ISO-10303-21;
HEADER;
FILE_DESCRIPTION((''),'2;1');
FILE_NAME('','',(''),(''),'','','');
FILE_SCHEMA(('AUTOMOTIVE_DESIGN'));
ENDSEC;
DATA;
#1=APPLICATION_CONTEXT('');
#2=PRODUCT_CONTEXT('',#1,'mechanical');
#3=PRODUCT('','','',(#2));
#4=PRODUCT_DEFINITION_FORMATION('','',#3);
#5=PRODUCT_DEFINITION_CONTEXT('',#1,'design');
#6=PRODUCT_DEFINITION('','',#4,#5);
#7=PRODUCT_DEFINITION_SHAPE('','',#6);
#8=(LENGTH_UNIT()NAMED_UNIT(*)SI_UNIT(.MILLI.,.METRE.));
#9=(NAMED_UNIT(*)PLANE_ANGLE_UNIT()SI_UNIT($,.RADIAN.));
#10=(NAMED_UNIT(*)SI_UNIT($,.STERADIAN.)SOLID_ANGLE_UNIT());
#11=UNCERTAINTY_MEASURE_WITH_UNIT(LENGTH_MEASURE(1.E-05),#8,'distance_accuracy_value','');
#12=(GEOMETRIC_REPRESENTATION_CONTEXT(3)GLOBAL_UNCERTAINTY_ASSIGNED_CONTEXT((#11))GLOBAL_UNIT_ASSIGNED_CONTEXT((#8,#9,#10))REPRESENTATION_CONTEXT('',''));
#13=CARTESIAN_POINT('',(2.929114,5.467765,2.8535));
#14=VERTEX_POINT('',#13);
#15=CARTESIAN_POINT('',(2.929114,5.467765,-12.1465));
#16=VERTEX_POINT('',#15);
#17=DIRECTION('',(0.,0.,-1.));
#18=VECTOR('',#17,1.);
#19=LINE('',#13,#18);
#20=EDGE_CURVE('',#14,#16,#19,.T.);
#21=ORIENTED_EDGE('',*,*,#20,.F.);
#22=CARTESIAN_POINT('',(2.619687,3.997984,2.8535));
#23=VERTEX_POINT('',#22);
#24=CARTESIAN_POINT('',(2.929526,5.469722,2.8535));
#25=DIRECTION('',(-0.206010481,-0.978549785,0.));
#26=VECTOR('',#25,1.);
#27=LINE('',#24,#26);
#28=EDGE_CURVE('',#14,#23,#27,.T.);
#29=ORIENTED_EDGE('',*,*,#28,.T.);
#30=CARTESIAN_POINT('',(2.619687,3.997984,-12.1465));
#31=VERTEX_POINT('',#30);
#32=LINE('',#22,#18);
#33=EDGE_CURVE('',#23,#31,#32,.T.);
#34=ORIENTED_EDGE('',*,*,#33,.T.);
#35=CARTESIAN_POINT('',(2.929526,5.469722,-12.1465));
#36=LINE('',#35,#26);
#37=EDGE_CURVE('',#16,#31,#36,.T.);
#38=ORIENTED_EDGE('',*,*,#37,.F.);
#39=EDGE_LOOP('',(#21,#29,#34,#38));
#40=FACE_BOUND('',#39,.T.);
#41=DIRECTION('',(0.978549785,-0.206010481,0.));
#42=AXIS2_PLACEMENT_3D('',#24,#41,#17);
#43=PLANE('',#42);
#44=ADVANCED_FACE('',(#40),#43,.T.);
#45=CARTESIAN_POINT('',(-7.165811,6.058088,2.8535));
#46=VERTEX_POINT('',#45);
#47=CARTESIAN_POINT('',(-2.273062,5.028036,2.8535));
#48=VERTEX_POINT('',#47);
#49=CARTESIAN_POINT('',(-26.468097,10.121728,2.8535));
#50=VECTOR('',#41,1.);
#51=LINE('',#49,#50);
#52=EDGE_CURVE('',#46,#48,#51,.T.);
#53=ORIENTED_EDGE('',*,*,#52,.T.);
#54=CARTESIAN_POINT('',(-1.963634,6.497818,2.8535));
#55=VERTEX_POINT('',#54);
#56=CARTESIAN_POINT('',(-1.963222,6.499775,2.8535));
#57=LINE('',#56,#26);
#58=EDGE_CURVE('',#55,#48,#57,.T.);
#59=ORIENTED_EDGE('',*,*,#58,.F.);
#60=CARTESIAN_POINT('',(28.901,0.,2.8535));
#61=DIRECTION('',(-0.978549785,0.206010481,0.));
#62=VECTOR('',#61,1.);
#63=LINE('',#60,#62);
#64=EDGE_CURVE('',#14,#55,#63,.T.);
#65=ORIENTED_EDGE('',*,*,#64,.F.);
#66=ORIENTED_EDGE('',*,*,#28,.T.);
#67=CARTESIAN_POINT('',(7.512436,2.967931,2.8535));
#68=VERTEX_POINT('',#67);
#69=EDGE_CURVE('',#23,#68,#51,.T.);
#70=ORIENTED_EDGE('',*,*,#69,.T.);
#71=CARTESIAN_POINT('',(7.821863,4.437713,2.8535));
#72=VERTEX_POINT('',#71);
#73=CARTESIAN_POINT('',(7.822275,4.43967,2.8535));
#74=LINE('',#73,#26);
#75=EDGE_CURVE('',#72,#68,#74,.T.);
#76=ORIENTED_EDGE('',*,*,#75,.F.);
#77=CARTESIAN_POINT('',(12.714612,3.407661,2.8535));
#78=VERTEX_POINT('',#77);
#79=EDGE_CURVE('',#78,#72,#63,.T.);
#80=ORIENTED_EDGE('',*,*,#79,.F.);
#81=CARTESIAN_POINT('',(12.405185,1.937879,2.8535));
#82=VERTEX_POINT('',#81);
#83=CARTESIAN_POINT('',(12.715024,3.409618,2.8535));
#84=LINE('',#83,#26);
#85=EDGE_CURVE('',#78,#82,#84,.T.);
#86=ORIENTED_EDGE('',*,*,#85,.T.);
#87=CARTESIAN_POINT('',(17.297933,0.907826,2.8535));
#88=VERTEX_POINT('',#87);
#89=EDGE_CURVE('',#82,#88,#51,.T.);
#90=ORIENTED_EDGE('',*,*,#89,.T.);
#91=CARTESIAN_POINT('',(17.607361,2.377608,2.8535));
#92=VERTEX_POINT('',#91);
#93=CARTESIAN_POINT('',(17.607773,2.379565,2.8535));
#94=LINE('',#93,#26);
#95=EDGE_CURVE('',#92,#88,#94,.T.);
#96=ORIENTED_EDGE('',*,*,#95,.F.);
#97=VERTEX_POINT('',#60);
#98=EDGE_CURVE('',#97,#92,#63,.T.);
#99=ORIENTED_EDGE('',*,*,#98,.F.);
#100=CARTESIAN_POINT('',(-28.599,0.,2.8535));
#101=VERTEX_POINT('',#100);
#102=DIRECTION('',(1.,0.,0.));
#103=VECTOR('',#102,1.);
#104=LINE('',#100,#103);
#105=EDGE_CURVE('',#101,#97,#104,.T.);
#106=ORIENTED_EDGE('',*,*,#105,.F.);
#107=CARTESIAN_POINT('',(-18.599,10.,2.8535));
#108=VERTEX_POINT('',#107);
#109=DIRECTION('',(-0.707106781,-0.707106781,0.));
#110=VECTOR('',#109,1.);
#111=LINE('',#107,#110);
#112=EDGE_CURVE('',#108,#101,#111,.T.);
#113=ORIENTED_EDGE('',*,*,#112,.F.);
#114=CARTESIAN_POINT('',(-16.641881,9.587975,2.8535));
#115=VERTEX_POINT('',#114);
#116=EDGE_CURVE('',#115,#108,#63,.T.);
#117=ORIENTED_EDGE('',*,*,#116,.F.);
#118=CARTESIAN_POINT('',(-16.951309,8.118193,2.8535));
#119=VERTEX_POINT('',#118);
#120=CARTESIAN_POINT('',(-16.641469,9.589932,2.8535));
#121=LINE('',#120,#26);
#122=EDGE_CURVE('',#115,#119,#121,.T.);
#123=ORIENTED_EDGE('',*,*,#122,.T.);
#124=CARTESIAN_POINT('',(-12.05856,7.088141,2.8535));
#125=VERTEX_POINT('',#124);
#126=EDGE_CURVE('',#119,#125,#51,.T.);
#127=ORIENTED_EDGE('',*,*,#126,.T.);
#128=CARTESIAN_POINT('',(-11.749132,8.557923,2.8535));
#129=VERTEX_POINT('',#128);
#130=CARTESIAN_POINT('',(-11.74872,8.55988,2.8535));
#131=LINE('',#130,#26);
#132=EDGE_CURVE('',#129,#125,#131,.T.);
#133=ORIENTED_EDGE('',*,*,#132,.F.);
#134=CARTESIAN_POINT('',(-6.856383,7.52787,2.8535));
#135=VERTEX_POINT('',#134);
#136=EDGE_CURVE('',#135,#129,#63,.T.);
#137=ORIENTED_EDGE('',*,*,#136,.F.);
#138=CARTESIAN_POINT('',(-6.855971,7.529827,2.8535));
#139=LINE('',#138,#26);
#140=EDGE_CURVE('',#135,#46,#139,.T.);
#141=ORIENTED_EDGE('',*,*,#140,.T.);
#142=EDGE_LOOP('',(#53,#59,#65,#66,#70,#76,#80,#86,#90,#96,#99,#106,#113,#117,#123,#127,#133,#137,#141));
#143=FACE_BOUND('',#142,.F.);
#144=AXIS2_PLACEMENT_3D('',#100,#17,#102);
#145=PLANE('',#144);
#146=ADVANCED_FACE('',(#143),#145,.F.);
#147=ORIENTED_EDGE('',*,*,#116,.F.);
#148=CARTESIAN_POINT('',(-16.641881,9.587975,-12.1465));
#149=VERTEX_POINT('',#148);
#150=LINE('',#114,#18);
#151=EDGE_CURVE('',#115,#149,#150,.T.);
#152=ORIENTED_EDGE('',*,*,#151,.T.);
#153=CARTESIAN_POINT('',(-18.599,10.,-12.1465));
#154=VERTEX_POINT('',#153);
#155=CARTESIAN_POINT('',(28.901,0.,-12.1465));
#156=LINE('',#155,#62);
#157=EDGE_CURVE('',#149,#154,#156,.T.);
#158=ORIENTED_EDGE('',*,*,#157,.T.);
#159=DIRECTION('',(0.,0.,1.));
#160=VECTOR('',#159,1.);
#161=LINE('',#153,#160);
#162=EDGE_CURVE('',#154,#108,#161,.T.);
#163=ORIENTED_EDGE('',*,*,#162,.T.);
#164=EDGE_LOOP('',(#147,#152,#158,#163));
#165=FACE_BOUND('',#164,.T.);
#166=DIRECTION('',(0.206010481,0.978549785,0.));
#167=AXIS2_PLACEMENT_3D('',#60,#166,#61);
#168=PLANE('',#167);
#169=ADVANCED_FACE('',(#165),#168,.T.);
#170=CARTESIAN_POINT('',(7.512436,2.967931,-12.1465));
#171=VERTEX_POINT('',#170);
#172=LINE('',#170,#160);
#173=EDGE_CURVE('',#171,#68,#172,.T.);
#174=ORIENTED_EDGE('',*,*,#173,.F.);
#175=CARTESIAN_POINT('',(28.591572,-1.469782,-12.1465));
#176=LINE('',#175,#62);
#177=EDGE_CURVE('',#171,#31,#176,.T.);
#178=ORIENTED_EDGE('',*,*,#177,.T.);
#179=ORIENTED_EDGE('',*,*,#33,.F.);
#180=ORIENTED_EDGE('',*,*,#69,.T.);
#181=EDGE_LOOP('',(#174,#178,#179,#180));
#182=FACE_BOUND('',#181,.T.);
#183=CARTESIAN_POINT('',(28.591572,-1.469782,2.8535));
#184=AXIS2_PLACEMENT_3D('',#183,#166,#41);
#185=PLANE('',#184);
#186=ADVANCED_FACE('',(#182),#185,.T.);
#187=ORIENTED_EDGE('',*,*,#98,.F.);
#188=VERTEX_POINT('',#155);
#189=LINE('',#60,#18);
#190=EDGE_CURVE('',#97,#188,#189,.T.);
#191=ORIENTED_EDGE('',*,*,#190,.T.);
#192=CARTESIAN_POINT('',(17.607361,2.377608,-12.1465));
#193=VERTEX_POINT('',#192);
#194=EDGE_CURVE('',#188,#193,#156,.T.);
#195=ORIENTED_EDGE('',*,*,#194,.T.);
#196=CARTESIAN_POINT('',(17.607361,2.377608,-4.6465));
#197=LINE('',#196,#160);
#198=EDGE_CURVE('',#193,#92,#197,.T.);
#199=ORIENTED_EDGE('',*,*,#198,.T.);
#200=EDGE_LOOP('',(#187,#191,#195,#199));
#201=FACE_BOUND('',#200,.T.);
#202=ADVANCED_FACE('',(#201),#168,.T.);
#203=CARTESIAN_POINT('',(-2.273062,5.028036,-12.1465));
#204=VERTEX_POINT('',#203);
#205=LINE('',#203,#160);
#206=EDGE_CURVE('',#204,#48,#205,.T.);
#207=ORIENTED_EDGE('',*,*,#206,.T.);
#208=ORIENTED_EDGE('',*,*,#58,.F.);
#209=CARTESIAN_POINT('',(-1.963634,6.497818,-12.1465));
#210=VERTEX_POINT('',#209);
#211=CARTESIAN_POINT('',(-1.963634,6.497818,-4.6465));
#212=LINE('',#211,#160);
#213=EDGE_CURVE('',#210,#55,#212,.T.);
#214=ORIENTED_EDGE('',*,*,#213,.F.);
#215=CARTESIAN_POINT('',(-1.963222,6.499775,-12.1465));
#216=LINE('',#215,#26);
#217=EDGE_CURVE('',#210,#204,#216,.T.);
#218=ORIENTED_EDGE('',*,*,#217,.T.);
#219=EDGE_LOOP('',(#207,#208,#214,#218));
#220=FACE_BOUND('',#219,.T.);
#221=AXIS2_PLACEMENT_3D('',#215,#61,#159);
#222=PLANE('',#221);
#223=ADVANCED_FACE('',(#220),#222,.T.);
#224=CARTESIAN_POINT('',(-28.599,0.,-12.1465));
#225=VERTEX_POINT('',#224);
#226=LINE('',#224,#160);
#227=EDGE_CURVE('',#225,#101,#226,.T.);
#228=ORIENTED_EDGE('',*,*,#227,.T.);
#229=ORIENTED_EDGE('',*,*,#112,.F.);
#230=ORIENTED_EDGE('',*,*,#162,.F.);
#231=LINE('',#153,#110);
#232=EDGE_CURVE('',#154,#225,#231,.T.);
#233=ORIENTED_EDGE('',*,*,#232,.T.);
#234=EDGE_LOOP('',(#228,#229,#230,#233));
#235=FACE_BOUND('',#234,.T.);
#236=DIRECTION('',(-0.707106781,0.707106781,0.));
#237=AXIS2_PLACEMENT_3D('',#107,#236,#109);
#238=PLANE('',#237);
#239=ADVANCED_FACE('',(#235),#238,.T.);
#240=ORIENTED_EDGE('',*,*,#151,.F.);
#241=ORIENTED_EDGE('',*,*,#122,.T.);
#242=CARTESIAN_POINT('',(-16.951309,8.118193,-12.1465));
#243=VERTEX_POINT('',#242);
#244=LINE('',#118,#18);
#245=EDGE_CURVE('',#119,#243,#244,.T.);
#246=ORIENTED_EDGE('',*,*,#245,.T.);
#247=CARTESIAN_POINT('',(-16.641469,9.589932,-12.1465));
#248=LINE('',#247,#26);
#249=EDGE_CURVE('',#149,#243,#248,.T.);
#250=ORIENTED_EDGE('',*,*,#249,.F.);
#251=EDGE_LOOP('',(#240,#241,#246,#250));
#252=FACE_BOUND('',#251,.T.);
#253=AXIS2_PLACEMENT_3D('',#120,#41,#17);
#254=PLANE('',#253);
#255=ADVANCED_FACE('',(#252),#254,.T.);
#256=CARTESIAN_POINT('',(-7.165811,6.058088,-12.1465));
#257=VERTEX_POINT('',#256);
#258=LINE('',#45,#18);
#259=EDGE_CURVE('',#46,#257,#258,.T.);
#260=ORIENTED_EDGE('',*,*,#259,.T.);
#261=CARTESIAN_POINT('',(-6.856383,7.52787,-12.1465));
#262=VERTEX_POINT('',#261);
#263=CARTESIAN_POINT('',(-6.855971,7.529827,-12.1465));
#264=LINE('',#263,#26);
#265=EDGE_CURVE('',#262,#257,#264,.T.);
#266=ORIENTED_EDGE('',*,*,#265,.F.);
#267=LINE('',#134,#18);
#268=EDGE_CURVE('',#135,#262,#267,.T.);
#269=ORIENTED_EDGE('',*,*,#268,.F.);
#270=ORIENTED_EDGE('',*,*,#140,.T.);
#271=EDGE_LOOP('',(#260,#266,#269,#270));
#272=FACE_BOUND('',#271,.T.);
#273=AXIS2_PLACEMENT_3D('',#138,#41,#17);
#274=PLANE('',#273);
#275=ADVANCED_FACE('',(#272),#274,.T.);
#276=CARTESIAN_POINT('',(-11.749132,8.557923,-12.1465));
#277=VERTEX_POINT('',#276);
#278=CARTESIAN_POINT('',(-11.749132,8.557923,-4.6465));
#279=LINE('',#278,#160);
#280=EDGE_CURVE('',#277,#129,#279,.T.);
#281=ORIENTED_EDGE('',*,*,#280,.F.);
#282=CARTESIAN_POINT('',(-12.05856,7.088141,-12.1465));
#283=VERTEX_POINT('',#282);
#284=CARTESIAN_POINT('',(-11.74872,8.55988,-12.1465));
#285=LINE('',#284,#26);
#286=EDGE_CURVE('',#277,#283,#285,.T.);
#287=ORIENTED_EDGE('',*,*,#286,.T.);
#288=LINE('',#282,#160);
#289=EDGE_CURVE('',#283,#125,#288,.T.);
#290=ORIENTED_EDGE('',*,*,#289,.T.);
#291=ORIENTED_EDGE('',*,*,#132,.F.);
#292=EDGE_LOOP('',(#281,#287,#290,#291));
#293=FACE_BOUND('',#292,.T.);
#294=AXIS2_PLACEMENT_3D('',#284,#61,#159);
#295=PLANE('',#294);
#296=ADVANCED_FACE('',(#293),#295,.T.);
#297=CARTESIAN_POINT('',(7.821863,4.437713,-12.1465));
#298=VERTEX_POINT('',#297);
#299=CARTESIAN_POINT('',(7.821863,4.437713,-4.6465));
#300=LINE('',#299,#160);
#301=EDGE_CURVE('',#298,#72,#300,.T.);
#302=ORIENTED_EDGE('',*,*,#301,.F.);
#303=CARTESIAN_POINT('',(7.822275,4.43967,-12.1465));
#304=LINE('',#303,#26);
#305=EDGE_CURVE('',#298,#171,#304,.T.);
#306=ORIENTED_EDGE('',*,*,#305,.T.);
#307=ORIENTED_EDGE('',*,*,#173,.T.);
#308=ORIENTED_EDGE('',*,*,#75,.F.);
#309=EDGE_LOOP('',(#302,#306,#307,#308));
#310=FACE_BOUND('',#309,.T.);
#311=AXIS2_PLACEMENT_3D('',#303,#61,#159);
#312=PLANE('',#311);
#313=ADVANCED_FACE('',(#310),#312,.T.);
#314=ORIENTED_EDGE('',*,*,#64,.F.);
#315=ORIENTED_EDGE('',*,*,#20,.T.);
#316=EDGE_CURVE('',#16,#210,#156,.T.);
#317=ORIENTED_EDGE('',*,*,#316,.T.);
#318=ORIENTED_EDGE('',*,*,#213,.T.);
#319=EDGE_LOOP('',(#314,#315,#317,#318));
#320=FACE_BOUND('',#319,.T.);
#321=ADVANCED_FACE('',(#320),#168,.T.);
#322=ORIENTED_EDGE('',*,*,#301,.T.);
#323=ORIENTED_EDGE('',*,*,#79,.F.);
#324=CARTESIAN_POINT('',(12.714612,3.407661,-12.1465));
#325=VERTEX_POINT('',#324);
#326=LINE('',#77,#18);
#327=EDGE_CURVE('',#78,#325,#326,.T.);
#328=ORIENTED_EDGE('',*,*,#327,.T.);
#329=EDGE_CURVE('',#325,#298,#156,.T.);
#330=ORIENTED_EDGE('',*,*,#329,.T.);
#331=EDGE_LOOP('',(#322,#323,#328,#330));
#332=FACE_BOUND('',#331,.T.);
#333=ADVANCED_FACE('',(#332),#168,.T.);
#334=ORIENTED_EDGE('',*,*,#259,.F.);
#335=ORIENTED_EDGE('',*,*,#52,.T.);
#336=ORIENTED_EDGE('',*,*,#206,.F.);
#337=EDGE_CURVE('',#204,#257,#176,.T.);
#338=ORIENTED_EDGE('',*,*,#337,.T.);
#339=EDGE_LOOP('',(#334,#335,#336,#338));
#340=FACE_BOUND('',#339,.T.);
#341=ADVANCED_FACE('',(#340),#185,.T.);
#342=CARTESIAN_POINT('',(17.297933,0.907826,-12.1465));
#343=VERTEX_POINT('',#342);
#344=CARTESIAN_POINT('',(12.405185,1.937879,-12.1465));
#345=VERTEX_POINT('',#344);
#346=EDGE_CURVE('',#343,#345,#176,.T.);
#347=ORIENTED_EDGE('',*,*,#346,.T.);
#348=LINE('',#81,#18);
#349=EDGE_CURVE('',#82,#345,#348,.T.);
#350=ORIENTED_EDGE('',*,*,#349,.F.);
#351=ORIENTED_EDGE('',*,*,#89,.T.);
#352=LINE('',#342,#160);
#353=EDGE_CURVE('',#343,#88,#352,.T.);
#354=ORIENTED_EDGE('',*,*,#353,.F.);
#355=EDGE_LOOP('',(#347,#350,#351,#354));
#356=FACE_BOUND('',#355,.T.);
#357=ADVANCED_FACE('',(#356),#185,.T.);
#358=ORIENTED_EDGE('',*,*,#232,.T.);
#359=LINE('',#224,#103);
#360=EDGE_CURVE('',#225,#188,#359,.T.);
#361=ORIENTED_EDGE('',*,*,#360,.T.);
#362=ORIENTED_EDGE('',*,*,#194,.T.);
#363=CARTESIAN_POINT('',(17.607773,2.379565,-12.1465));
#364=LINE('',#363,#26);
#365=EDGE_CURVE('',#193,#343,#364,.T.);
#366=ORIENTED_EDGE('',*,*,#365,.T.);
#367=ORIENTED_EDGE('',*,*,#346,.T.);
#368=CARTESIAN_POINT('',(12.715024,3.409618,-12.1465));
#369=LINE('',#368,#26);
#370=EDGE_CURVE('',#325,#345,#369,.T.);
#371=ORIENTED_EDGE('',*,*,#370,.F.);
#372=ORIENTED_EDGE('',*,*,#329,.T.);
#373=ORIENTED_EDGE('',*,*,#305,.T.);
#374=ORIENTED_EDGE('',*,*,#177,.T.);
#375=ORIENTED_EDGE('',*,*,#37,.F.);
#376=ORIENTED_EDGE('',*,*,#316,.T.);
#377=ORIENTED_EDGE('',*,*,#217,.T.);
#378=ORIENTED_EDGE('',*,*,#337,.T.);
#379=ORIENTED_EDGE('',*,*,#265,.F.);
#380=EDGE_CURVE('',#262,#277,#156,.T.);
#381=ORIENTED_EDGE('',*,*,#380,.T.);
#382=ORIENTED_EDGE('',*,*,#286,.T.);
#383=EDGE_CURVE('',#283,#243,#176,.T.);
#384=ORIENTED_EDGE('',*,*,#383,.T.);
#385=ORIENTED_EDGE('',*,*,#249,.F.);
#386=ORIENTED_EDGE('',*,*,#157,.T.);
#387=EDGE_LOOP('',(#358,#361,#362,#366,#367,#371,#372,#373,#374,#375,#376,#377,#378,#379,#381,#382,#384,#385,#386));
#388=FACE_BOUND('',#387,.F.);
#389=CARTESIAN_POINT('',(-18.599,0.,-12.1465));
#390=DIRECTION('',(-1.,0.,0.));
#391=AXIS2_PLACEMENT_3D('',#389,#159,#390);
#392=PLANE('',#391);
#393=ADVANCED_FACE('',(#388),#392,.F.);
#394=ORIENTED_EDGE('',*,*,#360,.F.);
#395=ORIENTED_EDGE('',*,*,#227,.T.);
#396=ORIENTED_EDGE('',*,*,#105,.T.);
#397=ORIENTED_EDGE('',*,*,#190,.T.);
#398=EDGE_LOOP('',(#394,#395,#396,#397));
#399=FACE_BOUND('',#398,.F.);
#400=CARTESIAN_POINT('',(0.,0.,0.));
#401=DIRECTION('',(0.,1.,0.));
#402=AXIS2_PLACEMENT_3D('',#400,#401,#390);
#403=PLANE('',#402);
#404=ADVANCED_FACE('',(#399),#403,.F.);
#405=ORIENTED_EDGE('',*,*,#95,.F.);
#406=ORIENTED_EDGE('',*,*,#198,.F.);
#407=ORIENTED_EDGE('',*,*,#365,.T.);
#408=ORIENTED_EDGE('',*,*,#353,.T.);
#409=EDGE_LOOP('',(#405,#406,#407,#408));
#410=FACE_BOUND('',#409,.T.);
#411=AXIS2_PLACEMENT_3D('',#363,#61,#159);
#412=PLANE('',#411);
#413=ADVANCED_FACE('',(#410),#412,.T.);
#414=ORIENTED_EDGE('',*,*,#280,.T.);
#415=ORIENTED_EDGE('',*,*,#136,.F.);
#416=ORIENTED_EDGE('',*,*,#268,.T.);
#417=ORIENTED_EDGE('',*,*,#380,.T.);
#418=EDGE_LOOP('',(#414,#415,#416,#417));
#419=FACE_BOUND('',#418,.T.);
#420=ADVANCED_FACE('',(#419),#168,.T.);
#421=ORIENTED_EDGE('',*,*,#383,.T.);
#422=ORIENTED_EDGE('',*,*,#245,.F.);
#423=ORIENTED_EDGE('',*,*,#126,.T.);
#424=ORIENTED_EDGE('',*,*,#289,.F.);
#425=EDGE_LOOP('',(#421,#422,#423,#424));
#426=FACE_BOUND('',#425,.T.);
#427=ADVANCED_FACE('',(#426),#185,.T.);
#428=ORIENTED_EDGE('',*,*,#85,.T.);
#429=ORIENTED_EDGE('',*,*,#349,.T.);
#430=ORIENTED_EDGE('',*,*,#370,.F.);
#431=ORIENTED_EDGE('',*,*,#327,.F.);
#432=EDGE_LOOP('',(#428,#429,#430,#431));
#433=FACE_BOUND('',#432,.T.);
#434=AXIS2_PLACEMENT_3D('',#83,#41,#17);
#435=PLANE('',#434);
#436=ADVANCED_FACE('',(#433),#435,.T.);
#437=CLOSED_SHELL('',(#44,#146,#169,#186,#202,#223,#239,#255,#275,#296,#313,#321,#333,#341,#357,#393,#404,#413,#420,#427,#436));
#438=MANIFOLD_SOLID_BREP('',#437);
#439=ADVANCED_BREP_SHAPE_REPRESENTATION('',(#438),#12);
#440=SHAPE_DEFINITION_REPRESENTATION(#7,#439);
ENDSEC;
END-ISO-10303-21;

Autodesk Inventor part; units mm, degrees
ref_plane "YZ Plane" through (0, 0, 0) normal (1, 0, 0) x (0, 1, 0)
ref_plane "XZ Plane" through (0, 0, 0) normal (0, 1, 0) x (-1, 0, 0)
ref_plane "XY Plane" through (0, 0, 0) normal (0, 0, 1) x (1, 0, 0)
sketch "Skizze1" plane through (0, 0, 0) normal (0, 1, 0) x (-1, 0, 0)
  line L0 (18.599, 2.8535) -> (-28.901, 2.8535)
  line L1 (-28.901, 2.8535) -> (-28.901, -12.1465)
  line L2 (-28.901, -12.1465) -> (18.599, -12.1465)
  line L3 (18.599, -12.1465) -> (18.599, 2.8535)
  line L4 (18.599, -12.1465) -> (28.599, -12.1465)
  line L5 (28.599, -12.1465) -> (28.599, 2.8535)
  line L6 (28.599, 2.8535) -> (18.599, 2.8535)
  line L7 (18.599, 2.8535) -> (18.599, -12.1465)
  point P0 (0, 0)
  dimension "d0" = 47.5
  dimension "d1" = 15
  dimension "d6" = 10
extrude "Extrusion1" add sketch "Skizze1" along normal blind 10 contours L3 L2 L1 L0
sketch "Skizze2" plane through (-18.599, 0, 2.8535) normal (0, 0, 1) x (1, 0, 0)
  line L0 (47.5, 10) -> (0, 10) projected
  line L1 (47.5, 0) -> (0, 10)
  line L2 (0, 10) -> (47.5, 10)
  line L3 (47.5, 10) -> (47.5, 0)
  point P0 (18.599, 0)
extrude "Extrusion2" cut sketch "Skizze2" against normal up to surface (15 mm away)
sketch "Skizze3" plane through (28.901, 0, 2.8535) normal (0.206, 0.9785, 0) x (0.9785, -0.206, 0)
  point P0 (-28.2811, 2.8535)
extrude "Extrusion3" add sketch "Skizze1" along normal blind 10 contours L6 L5 L4 L3
sketch "Skizze6" plane through (-28.599, 0, 2.8535) normal (0, 0, 1) x (1, 0, 0)
  line L0 (10, 10) -> (0, 10) projected
  line L1 (0, 0) -> (0, 10) projected
  line L2 (10, 10) -> (0, 0)
  line L3 (0, 0) -> (0, 10)
  line L4 (57.5, 0) -> (10, 10) projected
  line L5 (0, 10) -> (10, 10)
  point P0 (28.599, 0)
extrude "Extrusion4" cut sketch "Skizze6" against normal blind 15
sketch "Skizze7" plane through (28.901, 0, 2.8535) normal (0.206, 0.9785, 0) x (0.9785, -0.206, 0)
  line L0 (0, 15) -> (-56.2666, 15) projected
  line L1 (-56.2666, 0) -> (0, 0) projected
  line L2 (-46.5412, 15) -> (-41.5412, 15)
  line L3 (-41.5412, 15) -> (-41.5412, 0)
  line L4 (-41.5412, 0) -> (-46.5412, 0)
  line L5 (-46.5412, 0) -> (-46.5412, 15)
  line L6 (-48.5412, 15) -> (-48.5412, 0) projected
  line L7 (-31.5412, 15) -> (-31.5412, 0)
  line L8 (-36.5412, 15) -> (-31.5412, 15)
  line L9 (-36.5412, 0) -> (-36.5412, 15)
  line L10 (-31.5412, 0) -> (-36.5412, 0)
  line L11 (-21.5412, 15) -> (-21.5412, 0)
  line L12 (-26.5412, 15) -> (-21.5412, 15)
  line L13 (-26.5412, 0) -> (-26.5412, 15)
  line L14 (-21.5412, 0) -> (-26.5412, 0)
  line L15 (-11.5412, 15) -> (-11.5412, 0)
  line L16 (-16.5412, 15) -> (-11.5412, 15)
  line L17 (-16.5412, 0) -> (-16.5412, 15)
  line L18 (-11.5412, 0) -> (-16.5412, 0)
  point P0 (-28.2811, 2.8535)
  point P1 (-16.5412, 15)
  point P2 (-16.5412, 0)
  point P3 (-11.5412, 0)
  point P4 (-11.5412, 15)
  point P5 (-26.5412, 0)
  point P6 (-21.5412, 0)
  point P7 (-21.5412, 15)
  point P8 (-36.5412, 0)
  point P9 (-31.5412, 0)
  point P10 (-31.5412, 15)
  point P11 (-46.5412, 0)
  point P12 (-41.5412, 15)
  dimension "d11" = 5
  dimension "d12" = 2
  dimension "d15" = 10
extrude "Extrusion5" cut sketch "Skizze7" against normal blind 1.5 contours L15 L1 L17 L0 | L11 L1 L13 L0 | L7 L1 L9 L0 | L3 L1 L5 L0
properties part number "Keilvertsell"
